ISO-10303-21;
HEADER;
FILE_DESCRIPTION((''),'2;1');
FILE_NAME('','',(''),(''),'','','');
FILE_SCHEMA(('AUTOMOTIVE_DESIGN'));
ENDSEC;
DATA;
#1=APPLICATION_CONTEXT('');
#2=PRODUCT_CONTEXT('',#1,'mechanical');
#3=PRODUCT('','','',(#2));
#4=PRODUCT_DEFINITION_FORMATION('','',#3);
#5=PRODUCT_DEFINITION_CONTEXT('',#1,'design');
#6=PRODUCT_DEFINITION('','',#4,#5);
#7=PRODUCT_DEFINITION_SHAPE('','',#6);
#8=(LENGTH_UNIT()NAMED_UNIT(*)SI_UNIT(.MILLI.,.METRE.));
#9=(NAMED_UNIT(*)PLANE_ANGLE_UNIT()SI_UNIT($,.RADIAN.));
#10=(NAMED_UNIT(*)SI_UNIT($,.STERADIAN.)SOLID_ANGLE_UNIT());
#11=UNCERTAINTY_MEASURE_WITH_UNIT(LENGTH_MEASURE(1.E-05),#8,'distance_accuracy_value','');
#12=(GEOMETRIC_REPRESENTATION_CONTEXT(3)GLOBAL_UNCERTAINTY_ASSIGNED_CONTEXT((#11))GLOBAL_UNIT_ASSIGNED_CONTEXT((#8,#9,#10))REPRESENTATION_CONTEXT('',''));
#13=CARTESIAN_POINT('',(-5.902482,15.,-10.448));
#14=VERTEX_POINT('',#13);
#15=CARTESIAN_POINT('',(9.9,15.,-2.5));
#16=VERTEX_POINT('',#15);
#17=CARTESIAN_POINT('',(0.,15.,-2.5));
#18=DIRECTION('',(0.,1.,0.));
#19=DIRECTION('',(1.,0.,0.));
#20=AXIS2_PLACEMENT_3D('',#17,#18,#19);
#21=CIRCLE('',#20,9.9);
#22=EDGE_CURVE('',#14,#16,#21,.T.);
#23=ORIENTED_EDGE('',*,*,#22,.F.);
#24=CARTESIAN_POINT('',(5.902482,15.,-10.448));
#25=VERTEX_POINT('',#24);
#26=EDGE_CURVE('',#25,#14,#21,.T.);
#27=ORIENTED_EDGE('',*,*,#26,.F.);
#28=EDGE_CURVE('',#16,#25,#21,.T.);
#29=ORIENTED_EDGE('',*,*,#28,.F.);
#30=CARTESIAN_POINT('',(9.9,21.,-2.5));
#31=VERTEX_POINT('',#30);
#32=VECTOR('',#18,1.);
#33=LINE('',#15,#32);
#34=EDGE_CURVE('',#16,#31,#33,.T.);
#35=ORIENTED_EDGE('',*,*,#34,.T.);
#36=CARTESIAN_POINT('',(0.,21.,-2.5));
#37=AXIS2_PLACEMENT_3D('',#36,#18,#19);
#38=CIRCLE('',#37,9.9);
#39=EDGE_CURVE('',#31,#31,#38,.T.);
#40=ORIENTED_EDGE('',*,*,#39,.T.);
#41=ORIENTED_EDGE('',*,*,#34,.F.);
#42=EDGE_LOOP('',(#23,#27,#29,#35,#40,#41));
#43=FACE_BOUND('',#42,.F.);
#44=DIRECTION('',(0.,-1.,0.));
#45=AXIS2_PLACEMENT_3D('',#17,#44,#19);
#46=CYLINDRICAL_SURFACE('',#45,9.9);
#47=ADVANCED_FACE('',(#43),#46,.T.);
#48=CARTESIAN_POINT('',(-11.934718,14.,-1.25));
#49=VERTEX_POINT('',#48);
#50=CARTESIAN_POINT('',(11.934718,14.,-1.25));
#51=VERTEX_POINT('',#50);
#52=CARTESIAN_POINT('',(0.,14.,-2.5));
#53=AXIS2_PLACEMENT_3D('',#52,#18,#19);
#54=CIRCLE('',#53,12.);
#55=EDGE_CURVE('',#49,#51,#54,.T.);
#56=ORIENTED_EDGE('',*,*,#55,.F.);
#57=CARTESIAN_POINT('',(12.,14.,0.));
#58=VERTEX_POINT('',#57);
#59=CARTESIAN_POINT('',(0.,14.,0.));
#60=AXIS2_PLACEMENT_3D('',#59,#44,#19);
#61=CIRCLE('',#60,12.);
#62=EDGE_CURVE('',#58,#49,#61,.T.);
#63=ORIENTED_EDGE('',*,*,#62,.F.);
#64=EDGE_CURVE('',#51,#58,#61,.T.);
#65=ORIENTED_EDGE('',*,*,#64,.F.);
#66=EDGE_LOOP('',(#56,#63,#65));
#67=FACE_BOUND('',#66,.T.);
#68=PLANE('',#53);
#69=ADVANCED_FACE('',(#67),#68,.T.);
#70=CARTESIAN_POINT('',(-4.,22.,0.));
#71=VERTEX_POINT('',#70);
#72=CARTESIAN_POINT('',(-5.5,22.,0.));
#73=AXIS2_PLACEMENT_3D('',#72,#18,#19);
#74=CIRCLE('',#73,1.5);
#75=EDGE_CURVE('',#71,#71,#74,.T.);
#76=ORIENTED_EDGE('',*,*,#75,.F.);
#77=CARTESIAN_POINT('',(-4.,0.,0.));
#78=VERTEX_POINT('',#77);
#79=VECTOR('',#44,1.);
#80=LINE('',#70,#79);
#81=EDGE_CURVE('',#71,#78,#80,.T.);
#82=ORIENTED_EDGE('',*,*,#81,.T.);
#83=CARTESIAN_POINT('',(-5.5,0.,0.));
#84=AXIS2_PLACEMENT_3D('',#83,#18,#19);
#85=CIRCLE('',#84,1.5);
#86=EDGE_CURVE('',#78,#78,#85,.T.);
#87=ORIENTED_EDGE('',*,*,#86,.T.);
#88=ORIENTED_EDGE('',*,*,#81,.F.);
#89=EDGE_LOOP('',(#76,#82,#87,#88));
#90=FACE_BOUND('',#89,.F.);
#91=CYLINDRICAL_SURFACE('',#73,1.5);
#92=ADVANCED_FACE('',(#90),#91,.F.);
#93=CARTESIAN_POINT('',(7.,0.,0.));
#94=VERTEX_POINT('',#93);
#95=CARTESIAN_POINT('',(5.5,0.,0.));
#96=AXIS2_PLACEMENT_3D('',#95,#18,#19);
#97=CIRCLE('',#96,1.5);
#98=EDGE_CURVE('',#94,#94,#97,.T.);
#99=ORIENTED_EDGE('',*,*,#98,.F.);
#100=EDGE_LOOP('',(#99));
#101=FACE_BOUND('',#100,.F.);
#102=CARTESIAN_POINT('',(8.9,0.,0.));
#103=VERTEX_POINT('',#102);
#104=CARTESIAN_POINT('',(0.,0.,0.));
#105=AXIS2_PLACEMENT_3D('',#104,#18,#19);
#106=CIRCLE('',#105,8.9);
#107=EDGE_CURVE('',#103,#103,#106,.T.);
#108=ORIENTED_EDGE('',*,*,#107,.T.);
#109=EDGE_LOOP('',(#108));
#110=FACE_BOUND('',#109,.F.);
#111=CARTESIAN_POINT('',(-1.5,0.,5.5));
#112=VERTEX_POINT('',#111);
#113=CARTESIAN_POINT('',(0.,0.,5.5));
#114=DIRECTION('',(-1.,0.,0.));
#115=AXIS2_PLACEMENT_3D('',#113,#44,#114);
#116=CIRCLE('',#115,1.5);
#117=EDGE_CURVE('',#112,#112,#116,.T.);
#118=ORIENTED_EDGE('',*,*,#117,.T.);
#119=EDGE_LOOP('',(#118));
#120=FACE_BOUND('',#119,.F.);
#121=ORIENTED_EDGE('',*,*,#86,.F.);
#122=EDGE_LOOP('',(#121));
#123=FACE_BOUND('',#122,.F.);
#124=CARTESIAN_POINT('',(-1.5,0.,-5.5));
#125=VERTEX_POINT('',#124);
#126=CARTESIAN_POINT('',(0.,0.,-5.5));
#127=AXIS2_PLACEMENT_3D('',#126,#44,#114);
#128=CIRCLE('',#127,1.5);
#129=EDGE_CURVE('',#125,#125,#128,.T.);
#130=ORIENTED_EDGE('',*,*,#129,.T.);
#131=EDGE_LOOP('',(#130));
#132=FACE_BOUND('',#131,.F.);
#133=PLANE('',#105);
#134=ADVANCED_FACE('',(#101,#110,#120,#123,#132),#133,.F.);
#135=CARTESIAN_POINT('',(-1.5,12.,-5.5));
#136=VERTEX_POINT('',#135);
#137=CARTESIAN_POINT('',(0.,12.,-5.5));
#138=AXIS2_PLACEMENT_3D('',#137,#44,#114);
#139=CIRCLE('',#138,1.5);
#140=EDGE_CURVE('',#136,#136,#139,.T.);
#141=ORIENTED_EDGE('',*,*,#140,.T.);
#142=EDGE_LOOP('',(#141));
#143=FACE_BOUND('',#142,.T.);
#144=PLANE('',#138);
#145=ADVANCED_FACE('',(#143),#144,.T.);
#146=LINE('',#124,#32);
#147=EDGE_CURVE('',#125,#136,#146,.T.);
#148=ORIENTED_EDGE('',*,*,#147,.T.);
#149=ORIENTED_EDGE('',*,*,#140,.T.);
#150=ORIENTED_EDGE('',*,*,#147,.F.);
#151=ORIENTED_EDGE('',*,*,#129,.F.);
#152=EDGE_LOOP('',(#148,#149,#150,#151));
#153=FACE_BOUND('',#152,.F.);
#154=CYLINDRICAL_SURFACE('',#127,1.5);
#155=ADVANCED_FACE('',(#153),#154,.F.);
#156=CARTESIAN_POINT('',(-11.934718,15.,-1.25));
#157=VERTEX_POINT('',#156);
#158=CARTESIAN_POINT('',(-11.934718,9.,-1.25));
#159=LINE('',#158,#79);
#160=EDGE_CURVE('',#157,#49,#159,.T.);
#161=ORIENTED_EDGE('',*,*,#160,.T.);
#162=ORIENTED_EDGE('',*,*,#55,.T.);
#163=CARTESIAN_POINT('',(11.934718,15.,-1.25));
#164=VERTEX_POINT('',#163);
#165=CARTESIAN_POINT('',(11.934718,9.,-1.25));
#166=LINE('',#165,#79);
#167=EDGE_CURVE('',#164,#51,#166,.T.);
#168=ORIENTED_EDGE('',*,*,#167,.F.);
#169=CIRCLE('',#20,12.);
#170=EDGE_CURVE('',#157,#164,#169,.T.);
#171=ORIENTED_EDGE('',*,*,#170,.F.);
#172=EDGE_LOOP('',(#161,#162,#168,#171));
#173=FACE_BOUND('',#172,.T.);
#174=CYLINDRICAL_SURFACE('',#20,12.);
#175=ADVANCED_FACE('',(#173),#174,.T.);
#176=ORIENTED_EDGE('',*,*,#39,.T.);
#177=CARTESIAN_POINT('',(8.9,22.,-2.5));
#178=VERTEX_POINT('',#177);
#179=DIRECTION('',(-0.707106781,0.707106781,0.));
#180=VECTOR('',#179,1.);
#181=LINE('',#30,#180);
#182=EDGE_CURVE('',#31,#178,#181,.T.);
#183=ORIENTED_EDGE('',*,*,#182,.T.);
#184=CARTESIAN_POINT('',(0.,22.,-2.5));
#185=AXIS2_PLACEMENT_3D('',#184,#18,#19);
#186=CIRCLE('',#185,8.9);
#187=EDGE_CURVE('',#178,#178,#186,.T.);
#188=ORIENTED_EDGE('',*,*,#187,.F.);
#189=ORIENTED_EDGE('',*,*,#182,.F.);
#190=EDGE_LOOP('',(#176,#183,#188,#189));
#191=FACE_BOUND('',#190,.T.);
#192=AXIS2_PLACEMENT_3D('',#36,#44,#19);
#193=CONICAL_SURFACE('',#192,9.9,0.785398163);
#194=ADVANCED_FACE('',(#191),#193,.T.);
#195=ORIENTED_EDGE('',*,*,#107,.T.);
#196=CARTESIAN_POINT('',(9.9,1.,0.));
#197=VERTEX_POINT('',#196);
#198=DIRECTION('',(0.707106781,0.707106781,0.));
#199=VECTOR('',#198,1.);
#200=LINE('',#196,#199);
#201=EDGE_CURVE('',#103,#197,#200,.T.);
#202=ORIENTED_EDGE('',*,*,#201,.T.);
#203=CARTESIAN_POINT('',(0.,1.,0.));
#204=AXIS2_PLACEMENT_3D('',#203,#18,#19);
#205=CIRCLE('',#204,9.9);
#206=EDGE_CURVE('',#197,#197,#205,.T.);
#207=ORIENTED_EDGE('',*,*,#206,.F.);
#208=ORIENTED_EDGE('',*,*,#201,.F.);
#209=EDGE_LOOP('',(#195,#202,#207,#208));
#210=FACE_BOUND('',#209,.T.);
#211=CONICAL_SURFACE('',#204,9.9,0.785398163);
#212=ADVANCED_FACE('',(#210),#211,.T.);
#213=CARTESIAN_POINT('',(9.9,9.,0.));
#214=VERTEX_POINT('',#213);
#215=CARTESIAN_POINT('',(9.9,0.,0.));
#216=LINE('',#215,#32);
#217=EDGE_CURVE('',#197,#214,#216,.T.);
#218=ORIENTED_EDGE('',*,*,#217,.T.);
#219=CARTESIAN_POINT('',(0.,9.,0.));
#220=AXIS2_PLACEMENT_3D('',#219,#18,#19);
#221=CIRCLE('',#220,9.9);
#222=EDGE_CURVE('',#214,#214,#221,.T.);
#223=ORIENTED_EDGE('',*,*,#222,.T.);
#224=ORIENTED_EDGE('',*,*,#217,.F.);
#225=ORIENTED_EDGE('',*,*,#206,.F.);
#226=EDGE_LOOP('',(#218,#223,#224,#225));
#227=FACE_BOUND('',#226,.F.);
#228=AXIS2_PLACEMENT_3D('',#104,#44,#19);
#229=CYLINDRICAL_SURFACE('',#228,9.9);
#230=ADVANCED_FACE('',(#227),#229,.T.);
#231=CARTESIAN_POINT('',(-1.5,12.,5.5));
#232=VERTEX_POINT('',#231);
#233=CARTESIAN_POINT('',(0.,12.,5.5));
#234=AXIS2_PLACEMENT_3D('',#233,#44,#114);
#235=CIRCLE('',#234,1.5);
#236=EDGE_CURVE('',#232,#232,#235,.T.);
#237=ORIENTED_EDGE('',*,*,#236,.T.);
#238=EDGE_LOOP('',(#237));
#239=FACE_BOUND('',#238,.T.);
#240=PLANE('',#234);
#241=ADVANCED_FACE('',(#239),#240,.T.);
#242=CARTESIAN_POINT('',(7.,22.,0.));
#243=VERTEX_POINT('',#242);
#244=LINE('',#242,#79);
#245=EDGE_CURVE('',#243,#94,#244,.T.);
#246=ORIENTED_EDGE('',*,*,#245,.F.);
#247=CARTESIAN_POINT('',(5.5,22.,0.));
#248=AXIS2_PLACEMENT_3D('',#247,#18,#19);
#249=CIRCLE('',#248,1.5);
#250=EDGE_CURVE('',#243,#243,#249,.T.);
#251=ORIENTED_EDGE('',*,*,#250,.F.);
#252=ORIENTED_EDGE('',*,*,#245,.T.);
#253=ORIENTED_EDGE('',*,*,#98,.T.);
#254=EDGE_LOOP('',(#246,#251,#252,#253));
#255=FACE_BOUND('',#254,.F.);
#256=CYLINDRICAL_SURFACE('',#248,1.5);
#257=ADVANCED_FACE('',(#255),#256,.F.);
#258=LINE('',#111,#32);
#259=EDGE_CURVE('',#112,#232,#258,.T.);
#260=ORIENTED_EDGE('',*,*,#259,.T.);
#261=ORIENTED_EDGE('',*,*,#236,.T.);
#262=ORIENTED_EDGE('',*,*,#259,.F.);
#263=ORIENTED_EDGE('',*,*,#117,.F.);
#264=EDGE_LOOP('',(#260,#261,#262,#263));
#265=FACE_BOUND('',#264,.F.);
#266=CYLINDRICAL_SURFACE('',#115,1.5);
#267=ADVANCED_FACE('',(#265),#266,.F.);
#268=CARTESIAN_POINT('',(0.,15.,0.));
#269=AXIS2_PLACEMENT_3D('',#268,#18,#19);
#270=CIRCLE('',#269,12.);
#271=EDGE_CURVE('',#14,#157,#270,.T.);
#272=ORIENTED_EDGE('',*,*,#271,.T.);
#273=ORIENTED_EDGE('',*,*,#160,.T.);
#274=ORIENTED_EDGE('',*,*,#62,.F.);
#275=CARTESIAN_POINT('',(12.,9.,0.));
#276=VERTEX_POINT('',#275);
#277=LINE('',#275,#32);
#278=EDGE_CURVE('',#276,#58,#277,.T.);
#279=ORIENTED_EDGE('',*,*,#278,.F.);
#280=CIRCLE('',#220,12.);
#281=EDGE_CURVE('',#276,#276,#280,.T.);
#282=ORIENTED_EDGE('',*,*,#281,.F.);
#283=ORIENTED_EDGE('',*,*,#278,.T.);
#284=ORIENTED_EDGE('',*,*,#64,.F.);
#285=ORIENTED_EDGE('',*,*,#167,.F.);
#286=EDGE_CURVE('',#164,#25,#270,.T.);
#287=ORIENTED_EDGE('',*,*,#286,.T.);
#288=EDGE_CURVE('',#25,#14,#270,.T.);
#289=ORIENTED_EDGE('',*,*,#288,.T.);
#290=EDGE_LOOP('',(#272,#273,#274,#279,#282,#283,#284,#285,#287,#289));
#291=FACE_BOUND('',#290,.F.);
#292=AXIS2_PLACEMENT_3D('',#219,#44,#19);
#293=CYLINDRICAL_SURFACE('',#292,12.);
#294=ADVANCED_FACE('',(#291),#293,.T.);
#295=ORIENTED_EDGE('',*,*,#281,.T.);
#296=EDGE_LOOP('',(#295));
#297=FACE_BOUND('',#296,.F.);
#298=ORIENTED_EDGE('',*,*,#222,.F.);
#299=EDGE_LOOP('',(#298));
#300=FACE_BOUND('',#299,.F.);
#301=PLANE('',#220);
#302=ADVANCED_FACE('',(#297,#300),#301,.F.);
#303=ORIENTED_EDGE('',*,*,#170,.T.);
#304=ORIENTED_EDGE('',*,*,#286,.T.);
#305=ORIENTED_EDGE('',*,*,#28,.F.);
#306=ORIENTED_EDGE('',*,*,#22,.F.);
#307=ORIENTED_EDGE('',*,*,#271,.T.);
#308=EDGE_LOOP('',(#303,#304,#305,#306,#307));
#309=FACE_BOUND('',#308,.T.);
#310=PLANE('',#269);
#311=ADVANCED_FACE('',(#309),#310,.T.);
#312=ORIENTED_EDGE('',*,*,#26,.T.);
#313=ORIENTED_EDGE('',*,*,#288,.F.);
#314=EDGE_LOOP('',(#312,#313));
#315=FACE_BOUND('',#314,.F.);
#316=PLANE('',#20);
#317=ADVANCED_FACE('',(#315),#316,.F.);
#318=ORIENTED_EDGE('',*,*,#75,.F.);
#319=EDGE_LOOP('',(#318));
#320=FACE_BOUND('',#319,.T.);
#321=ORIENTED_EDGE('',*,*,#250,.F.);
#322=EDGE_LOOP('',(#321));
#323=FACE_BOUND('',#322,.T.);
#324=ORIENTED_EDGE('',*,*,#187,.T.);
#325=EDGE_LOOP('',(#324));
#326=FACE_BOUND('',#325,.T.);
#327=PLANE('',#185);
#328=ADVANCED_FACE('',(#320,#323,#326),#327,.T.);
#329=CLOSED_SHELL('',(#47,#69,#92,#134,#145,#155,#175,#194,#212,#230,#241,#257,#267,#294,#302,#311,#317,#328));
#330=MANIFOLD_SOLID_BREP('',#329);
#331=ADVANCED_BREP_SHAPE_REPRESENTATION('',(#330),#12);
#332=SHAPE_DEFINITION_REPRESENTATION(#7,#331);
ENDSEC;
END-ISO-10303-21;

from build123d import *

# Parameters (mm, degrees)
SKETCH1_R           = 9.9
BOSS_EXTRUDE1_DEPTH = 9
SKETCH2_R           = 12
BOSS_EXTRUDE2_DEPTH = 6
SKETCH3_R           = 9.9
BOSS_EXTRUDE3_DEPTH = 7
SKETCH7_R           = 15
SKETCH7_R_2         = 12
CUT_EXTRUDE3_DEPTH  = 1
SKETCH10_R          = 1.5
CUT_EXTRUDE4_DEPTH  = 23
SKETCH12_R          = 1.5
CUT_EXTRUDE5_DEPTH  = 12
CHAMFER1_SIZE       = 1


with BuildPart() as part:
    # Sketch1 → Boss-Extrude1 (new body)
    with BuildSketch(Plane(origin=(0, 0, 0), x_dir=(1, 0, 0), z_dir=(0, 1, 0))):
        Circle(SKETCH1_R)
    extrude(amount=BOSS_EXTRUDE1_DEPTH)

    # Sketch2 → Boss-Extrude2 (add)
    with BuildSketch(Plane(origin=(0, 9, 0), x_dir=(1, 0, 0), z_dir=(0, 1, 0))):
        Circle(SKETCH2_R)
    extrude(amount=BOSS_EXTRUDE2_DEPTH)

    # Sketch3 → Boss-Extrude3 (add)
    with BuildSketch(Plane(origin=(0, 15, 0), x_dir=(1, 0, 0), z_dir=(0, 1, 0))):
        with Locations((0, 2.5)):
            Circle(SKETCH3_R)
    extrude(amount=BOSS_EXTRUDE3_DEPTH)

    # Sketch7 → Cut-Extrude3 (cut)
    with BuildSketch(Plane(origin=(0, 15, 0), x_dir=(1, 0, 0), z_dir=(0, 1, 0))):
        with Locations((0, 2.5)):
            Circle(SKETCH7_R)
        with Locations((0, 2.5)):
            Circle(SKETCH7_R_2, mode=Mode.SUBTRACT)
    extrude(amount=-CUT_EXTRUDE3_DEPTH, mode=Mode.SUBTRACT)

    # Sketch10 → Cut-Extrude4 (cut, through all)
    with BuildSketch(Plane(origin=(0, 22, 0), x_dir=(1, 0, 0), z_dir=(0, 1, 0))):
        with Locations((5.5, 0)):
            Circle(SKETCH10_R)
        with Locations((-5.5, 0)):
            Circle(SKETCH10_R)
    extrude(amount=-CUT_EXTRUDE4_DEPTH, mode=Mode.SUBTRACT)

    # Sketch12 → Cut-Extrude5 (cut)
    with BuildSketch(Plane(origin=(0, 0, 0), x_dir=(-1, 0, 0), z_dir=(0, -1, 0))):
        with Locations((0, 5.5)):
            Circle(SKETCH12_R)
        with Locations((0, -5.5)):
            Circle(SKETCH12_R)
    extrude(amount=-CUT_EXTRUDE5_DEPTH, mode=Mode.SUBTRACT)

    # Chamfer1
    chamfer1_edges = [part.edges().sort_by_distance(p)[0] for p in [
        (-9.9, 22, -2.5),
        (-9.9, 0, 0),
    ]]
    chamfer(chamfer1_edges, length=CHAMFER1_SIZE)


solid = part.part
